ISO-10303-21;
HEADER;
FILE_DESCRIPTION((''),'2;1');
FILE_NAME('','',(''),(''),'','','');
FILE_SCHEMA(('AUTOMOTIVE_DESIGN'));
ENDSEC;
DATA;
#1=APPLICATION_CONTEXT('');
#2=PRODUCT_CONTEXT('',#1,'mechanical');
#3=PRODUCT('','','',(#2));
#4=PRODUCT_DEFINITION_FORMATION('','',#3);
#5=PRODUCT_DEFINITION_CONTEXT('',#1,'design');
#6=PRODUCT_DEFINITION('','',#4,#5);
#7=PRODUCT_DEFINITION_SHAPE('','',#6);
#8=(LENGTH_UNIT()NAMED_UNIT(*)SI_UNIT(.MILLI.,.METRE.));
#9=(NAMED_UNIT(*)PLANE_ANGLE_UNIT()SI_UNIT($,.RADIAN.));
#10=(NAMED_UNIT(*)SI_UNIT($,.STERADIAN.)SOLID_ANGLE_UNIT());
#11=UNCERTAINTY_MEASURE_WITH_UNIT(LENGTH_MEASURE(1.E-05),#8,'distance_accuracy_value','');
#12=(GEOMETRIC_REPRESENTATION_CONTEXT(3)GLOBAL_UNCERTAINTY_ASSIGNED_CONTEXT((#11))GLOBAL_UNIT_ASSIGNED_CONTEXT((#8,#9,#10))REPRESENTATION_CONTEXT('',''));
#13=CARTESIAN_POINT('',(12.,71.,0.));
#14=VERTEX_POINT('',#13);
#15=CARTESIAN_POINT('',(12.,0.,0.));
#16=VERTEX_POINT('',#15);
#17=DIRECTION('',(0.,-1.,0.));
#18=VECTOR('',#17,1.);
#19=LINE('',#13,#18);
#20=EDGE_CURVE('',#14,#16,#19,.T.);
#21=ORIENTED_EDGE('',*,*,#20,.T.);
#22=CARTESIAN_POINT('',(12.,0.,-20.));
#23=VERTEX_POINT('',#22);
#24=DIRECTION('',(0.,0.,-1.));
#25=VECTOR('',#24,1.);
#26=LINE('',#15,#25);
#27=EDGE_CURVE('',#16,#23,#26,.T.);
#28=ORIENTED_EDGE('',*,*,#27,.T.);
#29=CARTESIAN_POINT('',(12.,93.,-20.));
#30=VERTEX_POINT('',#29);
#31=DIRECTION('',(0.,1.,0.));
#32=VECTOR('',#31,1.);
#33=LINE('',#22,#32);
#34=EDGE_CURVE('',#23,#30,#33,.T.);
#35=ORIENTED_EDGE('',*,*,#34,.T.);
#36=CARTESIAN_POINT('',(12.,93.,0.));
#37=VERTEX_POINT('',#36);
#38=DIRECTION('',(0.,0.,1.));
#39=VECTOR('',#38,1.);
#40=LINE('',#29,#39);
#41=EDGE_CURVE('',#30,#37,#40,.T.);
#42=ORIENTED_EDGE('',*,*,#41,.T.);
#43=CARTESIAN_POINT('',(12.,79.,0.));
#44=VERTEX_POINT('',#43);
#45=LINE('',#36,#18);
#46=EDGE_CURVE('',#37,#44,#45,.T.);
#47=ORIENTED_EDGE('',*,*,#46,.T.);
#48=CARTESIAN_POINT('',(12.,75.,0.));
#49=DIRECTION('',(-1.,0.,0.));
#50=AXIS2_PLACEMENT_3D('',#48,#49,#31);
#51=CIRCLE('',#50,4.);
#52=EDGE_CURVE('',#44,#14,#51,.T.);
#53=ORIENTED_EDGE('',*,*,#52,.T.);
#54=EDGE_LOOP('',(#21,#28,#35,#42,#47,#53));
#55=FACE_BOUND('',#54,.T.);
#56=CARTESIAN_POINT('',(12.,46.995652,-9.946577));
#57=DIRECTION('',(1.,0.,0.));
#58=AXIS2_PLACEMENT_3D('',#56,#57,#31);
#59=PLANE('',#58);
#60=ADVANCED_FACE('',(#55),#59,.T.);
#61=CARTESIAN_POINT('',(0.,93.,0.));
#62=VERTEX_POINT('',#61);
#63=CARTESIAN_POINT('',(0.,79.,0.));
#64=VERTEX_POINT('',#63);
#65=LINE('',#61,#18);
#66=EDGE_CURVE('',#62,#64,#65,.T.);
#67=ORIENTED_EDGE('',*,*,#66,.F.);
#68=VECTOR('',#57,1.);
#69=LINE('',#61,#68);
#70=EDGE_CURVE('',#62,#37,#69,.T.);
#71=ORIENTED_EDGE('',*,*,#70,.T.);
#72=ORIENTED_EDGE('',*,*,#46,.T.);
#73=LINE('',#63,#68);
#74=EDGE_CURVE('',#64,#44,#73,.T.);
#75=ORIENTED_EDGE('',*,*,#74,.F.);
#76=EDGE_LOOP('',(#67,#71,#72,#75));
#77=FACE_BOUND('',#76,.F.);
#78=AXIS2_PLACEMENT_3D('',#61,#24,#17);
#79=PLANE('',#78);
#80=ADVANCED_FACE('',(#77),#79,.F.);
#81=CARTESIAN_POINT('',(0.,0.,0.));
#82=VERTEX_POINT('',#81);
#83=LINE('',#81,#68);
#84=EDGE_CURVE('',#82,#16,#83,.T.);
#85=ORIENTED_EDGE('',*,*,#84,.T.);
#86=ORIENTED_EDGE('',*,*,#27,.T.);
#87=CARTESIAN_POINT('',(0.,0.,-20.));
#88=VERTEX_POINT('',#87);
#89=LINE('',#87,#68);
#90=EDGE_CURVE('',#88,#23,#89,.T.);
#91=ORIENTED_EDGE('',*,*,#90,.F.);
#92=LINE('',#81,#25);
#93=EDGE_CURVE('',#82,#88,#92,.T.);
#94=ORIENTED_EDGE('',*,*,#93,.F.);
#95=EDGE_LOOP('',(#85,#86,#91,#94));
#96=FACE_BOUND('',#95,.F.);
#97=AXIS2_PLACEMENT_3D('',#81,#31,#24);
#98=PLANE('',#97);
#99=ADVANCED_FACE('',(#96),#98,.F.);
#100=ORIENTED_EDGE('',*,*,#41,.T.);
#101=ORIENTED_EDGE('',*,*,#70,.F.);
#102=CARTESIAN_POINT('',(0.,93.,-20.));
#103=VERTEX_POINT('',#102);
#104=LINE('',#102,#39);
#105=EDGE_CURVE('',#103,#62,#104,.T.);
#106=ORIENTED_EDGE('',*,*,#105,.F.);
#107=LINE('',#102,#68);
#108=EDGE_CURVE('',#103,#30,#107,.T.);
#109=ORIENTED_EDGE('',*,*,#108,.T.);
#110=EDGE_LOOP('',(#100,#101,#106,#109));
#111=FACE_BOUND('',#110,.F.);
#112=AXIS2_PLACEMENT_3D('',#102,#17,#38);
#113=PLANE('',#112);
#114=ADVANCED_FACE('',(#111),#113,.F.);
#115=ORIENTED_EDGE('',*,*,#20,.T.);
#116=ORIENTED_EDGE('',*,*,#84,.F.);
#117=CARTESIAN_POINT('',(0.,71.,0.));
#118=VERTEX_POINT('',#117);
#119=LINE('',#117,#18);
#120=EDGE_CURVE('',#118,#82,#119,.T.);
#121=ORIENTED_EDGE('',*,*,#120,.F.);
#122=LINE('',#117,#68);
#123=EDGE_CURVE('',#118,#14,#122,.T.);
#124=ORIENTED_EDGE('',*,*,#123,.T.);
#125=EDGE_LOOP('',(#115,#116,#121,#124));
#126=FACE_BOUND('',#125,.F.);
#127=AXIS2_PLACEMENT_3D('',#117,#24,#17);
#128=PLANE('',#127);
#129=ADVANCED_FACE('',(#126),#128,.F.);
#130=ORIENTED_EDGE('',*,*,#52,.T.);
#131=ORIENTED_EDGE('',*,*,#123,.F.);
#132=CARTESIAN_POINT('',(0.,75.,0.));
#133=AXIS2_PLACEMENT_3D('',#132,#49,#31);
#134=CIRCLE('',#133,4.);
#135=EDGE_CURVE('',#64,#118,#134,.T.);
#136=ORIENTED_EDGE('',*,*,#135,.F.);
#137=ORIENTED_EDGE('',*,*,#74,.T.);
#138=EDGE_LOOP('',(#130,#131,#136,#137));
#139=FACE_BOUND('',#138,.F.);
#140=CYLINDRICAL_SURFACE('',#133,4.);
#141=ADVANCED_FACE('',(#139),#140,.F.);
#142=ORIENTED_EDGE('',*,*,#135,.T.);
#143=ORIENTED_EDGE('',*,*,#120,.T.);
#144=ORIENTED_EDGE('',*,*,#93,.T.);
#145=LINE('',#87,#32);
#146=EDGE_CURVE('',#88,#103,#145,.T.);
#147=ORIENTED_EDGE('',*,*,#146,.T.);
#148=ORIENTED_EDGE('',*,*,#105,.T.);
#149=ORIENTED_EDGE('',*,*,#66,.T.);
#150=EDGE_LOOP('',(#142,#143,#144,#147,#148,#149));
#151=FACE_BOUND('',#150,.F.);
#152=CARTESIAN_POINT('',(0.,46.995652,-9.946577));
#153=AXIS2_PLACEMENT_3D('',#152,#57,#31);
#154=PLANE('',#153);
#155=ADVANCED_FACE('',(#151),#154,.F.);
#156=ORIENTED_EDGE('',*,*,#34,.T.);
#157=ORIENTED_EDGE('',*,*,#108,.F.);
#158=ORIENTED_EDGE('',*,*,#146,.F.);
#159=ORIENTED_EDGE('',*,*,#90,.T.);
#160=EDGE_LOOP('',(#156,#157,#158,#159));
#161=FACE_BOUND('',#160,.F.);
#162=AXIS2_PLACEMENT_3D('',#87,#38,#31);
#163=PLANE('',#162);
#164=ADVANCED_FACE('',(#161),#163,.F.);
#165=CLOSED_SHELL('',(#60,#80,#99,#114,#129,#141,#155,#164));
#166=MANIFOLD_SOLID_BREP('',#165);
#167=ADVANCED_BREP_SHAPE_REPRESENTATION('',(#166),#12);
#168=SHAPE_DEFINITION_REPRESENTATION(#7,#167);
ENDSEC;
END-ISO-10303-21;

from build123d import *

# Parameters (mm, degrees)
F1_DEPTH = 12


with BuildPart() as f1:
    # F0 (on Right) → F1 (new body)
    with BuildSketch(Plane.YZ):
        with BuildLine():
            Line((57, 0), (0, 0))
            Line((0, 0), (0, -20))
            Line((0, -20), (93, -20))
            Line((93, -20), (93, 0))
            Line((93, 0), (85, 0))
            Line((85, 0), (79, 0))
            ThreePointArc((79, 0), (75, -4), (71, 0))
            Line((71, 0), (65, 0))
            Line((65, 0), (57, 0))
        make_face()
    extrude(amount=F1_DEPTH)


solid = f1.part
